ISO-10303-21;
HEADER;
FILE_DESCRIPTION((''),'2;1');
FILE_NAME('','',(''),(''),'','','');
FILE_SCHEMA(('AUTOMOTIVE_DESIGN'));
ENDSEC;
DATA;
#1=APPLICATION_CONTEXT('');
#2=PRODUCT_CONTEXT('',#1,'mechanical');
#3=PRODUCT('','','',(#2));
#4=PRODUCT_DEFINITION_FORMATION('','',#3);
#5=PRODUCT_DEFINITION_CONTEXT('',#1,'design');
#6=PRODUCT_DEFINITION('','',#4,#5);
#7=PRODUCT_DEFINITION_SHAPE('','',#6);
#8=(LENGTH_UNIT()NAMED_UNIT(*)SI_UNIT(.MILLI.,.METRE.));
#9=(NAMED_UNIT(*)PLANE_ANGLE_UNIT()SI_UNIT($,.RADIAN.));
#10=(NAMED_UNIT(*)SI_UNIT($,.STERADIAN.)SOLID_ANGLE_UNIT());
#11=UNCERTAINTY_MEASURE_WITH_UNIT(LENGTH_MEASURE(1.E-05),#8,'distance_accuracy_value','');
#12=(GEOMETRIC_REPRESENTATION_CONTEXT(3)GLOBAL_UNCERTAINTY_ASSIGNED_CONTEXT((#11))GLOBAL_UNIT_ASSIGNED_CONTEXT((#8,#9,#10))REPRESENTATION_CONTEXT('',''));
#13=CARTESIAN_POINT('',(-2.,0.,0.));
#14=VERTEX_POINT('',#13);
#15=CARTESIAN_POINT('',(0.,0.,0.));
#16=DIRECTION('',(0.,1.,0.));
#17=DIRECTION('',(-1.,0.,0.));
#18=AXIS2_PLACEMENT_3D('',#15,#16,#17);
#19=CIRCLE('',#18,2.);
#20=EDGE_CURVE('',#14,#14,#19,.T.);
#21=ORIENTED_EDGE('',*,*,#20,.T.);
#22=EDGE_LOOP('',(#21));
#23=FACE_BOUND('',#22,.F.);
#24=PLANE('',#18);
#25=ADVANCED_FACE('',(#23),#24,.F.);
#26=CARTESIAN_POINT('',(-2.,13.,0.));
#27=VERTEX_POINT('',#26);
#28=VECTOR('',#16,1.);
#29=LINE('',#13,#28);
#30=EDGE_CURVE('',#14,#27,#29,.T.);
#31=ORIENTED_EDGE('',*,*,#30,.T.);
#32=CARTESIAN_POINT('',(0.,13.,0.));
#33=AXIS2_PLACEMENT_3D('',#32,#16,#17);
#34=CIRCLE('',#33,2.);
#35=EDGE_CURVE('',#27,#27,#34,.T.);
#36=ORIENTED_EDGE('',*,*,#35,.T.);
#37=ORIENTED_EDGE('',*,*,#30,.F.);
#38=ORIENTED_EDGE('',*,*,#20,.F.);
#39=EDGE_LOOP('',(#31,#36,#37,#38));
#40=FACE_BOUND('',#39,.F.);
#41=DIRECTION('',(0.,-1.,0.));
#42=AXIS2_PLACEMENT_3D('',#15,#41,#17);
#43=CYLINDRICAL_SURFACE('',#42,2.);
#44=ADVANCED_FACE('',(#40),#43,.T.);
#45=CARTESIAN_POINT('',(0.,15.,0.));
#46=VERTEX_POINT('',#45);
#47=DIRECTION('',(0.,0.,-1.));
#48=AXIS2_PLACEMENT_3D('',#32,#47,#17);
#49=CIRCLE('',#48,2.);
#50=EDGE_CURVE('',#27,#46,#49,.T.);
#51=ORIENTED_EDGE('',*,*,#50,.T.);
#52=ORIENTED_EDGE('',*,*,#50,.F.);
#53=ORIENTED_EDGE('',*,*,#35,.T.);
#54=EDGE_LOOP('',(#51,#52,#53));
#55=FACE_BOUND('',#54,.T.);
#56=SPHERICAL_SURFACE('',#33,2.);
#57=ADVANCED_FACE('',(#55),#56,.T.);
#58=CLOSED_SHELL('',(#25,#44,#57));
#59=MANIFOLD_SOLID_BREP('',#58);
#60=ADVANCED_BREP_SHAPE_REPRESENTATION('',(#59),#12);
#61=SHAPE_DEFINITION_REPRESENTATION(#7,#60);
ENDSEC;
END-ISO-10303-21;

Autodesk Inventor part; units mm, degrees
ref_plane "YZ Plane" through (0, 0, 0) normal (1, 0, 0) x (0, 1, 0)
ref_plane "XZ Plane" through (0, 0, 0) normal (0, 1, 0) x (-1, 0, 0)
ref_plane "XY Plane" through (0, 0, 0) normal (0, 0, 1) x (1, 0, 0)
sketch "Sketch1" plane through (0, 0, 0) normal (0, 1, 0) x (-1, 0, 0)
  circle A0 centre (0, 0) radius 2
  dimension "d0" = 4
extrude "Extrusion1" add sketch "Sketch1" along normal blind 15
fillet "Fillet1" radius 2 1 edges at (2, 15, 0)
properties part number "laser" material "Bronze, Cast"
